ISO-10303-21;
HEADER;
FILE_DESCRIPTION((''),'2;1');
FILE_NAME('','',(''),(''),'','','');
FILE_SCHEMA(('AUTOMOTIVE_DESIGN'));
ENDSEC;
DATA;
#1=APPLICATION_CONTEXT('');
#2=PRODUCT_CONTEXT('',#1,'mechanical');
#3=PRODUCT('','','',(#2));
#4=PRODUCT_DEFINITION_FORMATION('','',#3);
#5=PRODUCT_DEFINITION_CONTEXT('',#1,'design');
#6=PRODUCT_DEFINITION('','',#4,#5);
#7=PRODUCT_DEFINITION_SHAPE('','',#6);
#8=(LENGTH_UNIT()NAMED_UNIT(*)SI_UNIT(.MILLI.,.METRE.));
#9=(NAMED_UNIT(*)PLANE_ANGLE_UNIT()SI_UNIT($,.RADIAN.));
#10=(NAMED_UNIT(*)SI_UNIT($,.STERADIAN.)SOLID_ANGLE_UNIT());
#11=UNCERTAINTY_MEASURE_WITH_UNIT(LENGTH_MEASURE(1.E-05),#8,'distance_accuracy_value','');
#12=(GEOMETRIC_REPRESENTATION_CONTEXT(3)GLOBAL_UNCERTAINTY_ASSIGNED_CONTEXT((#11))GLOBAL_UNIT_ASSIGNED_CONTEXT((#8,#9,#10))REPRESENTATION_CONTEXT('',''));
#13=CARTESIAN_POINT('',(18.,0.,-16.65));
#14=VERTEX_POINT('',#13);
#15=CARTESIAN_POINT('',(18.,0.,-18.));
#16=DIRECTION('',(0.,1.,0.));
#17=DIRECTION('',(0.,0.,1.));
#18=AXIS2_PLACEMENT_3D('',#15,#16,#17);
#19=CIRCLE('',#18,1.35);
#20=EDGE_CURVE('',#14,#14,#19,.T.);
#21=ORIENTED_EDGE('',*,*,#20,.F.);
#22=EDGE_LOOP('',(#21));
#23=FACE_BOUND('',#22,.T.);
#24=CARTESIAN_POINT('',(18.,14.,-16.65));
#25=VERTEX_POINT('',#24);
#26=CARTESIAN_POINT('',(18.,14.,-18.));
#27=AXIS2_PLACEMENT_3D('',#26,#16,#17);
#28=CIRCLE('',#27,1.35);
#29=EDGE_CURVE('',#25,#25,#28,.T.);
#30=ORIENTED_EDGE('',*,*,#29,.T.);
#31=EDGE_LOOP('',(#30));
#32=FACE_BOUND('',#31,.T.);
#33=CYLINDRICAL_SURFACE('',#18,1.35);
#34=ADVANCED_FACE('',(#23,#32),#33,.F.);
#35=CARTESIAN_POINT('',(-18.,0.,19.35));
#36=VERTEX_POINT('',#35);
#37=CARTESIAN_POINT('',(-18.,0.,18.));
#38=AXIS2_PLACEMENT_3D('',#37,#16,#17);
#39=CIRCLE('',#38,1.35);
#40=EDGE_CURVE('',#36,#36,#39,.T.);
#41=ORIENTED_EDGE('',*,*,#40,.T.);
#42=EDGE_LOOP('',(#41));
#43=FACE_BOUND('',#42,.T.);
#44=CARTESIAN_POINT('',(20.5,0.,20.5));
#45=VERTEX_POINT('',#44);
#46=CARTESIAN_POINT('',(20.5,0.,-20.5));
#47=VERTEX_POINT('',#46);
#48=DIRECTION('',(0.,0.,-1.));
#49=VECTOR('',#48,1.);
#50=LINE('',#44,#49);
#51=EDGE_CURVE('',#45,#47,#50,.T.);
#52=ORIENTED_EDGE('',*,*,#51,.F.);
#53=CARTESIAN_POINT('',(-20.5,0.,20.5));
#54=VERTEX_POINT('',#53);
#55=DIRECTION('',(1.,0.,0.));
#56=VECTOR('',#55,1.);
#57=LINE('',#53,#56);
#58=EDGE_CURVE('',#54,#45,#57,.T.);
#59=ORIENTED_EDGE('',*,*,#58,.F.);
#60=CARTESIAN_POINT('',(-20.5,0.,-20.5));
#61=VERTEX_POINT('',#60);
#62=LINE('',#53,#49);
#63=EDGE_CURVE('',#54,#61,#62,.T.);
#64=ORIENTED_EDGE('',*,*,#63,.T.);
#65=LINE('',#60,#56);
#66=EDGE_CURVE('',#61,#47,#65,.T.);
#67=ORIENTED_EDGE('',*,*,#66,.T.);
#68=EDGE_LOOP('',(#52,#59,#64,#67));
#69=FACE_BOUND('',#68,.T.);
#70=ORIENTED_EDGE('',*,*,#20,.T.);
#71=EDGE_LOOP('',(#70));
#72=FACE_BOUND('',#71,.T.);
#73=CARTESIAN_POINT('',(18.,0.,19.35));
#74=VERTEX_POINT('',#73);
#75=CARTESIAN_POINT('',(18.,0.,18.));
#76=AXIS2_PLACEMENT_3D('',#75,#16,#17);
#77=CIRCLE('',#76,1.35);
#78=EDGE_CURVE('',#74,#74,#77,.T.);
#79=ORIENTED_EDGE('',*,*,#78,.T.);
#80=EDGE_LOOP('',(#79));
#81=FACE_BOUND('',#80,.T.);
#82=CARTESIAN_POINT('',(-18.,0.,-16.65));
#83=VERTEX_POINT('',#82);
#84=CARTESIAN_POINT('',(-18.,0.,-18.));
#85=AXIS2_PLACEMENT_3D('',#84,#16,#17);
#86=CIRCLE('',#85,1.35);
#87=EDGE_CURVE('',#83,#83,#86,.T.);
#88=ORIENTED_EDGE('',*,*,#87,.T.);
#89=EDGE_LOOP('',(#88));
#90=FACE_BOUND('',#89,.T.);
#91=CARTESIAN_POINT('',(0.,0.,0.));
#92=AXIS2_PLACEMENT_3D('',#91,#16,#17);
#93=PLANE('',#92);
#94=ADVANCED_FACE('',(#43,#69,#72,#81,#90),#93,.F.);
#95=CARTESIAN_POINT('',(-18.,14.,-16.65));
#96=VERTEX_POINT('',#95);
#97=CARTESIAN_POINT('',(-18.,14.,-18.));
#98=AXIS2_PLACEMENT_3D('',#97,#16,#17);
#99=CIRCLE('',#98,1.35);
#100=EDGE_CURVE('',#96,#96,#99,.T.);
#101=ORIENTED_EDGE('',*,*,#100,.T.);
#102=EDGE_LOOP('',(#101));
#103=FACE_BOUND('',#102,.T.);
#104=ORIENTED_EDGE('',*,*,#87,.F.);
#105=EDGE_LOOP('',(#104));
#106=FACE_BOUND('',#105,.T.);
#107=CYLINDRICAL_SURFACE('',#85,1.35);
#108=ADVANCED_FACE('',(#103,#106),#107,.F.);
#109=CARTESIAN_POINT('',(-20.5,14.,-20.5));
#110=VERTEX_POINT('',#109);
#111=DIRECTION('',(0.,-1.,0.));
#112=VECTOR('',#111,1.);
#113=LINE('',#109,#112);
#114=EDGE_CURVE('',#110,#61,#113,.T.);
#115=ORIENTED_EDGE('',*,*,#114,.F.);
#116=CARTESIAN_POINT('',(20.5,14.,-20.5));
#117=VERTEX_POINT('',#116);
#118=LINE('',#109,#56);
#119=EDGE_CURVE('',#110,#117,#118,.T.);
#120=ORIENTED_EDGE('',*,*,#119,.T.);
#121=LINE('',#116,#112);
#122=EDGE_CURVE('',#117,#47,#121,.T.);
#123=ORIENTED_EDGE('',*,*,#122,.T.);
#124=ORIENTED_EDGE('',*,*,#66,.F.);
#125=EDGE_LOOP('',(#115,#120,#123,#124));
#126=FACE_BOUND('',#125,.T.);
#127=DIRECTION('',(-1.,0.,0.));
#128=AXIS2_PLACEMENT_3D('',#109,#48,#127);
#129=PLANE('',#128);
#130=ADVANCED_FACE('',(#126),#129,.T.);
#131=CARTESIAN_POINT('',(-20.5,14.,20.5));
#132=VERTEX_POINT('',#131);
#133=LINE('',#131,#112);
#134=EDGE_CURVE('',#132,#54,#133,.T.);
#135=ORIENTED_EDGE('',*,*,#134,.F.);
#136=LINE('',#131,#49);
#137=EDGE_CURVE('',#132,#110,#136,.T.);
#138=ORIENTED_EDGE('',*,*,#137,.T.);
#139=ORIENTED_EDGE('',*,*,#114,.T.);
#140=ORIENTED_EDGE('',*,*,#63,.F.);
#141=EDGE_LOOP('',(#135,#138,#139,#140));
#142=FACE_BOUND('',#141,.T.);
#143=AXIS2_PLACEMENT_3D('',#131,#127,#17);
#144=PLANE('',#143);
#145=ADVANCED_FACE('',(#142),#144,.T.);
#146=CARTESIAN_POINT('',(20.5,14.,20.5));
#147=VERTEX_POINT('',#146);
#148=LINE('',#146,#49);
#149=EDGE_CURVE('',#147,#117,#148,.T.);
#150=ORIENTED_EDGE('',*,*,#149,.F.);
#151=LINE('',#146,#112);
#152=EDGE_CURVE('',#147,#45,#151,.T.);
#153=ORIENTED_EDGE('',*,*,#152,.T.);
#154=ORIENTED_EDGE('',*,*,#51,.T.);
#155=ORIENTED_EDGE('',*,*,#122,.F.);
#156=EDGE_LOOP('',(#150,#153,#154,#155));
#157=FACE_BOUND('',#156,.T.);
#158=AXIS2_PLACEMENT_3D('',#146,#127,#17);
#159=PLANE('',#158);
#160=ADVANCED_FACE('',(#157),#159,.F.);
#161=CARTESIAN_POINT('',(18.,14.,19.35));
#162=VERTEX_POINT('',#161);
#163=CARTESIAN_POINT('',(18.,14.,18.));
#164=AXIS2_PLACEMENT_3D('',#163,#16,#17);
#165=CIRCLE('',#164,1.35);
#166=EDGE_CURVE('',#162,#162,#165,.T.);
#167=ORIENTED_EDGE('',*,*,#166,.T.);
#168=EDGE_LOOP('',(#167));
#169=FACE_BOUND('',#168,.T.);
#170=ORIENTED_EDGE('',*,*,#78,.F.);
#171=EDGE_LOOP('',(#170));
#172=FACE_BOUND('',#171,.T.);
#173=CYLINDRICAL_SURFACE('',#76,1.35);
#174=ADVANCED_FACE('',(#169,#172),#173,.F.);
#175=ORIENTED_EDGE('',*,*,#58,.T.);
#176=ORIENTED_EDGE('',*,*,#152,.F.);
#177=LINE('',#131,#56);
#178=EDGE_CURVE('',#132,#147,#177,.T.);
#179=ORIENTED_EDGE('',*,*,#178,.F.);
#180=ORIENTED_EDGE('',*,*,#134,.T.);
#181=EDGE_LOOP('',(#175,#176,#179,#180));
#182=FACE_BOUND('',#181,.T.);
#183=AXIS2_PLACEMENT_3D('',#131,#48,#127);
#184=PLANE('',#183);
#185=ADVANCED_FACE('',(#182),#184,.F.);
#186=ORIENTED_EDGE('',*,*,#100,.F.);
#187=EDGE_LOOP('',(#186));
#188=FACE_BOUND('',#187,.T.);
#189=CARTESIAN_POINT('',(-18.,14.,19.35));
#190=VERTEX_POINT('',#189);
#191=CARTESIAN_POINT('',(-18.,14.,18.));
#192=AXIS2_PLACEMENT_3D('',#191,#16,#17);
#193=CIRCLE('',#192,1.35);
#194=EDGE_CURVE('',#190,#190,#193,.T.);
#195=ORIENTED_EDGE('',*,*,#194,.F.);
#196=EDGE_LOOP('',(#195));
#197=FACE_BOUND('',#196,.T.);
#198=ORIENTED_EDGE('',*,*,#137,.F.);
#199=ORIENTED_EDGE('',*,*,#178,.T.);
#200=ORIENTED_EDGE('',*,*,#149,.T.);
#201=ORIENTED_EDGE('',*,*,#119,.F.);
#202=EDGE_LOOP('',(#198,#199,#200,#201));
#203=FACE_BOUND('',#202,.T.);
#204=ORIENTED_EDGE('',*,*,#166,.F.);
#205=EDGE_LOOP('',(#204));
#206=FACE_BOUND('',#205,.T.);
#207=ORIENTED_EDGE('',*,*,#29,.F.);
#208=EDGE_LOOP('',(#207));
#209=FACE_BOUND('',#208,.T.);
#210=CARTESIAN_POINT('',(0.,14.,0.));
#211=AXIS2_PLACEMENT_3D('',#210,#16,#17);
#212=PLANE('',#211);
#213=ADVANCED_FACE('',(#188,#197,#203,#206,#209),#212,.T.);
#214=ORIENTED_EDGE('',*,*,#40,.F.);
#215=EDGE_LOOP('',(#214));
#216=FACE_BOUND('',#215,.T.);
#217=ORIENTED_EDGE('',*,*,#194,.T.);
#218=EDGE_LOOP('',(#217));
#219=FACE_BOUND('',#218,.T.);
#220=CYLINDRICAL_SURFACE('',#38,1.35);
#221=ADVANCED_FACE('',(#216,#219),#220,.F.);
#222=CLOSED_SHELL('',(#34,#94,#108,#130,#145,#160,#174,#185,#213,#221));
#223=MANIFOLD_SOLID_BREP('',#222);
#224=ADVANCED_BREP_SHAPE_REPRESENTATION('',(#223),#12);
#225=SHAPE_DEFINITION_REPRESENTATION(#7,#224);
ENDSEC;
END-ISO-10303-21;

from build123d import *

# Parameters (mm, degrees)
SKETCH_1_W          = 41
SKETCH_1_H          = 41
EXTRUDE_1_DEPTH     = 14
SKETCH_2_R          = 1.35
CUT_EXTRUDE_1_DEPTH = 14


with BuildPart() as part:
    # 草图1 → 凸台-拉伸1 (new body)
    with BuildSketch(Plane(origin=(0, 0, 0), x_dir=(1, 0, 0), z_dir=(0, 1, 0))):
        Rectangle(SKETCH_1_W, SKETCH_1_H)
    extrude(amount=EXTRUDE_1_DEPTH)

    # 草图2 → 切除-拉伸1 (cut)
    with BuildSketch(Plane(origin=(0, 14, 0), x_dir=(1, 0, 0), z_dir=(0, 1, 0))):
        with Locations((-18, 18)):
            Circle(SKETCH_2_R)
        with Locations((18, 18)):
            Circle(SKETCH_2_R)
        with Locations((18, -18)):
            Circle(SKETCH_2_R)
        with Locations((-18, -18)):
            Circle(SKETCH_2_R)
    extrude(amount=-CUT_EXTRUDE_1_DEPTH, mode=Mode.SUBTRACT)


solid = part.part
